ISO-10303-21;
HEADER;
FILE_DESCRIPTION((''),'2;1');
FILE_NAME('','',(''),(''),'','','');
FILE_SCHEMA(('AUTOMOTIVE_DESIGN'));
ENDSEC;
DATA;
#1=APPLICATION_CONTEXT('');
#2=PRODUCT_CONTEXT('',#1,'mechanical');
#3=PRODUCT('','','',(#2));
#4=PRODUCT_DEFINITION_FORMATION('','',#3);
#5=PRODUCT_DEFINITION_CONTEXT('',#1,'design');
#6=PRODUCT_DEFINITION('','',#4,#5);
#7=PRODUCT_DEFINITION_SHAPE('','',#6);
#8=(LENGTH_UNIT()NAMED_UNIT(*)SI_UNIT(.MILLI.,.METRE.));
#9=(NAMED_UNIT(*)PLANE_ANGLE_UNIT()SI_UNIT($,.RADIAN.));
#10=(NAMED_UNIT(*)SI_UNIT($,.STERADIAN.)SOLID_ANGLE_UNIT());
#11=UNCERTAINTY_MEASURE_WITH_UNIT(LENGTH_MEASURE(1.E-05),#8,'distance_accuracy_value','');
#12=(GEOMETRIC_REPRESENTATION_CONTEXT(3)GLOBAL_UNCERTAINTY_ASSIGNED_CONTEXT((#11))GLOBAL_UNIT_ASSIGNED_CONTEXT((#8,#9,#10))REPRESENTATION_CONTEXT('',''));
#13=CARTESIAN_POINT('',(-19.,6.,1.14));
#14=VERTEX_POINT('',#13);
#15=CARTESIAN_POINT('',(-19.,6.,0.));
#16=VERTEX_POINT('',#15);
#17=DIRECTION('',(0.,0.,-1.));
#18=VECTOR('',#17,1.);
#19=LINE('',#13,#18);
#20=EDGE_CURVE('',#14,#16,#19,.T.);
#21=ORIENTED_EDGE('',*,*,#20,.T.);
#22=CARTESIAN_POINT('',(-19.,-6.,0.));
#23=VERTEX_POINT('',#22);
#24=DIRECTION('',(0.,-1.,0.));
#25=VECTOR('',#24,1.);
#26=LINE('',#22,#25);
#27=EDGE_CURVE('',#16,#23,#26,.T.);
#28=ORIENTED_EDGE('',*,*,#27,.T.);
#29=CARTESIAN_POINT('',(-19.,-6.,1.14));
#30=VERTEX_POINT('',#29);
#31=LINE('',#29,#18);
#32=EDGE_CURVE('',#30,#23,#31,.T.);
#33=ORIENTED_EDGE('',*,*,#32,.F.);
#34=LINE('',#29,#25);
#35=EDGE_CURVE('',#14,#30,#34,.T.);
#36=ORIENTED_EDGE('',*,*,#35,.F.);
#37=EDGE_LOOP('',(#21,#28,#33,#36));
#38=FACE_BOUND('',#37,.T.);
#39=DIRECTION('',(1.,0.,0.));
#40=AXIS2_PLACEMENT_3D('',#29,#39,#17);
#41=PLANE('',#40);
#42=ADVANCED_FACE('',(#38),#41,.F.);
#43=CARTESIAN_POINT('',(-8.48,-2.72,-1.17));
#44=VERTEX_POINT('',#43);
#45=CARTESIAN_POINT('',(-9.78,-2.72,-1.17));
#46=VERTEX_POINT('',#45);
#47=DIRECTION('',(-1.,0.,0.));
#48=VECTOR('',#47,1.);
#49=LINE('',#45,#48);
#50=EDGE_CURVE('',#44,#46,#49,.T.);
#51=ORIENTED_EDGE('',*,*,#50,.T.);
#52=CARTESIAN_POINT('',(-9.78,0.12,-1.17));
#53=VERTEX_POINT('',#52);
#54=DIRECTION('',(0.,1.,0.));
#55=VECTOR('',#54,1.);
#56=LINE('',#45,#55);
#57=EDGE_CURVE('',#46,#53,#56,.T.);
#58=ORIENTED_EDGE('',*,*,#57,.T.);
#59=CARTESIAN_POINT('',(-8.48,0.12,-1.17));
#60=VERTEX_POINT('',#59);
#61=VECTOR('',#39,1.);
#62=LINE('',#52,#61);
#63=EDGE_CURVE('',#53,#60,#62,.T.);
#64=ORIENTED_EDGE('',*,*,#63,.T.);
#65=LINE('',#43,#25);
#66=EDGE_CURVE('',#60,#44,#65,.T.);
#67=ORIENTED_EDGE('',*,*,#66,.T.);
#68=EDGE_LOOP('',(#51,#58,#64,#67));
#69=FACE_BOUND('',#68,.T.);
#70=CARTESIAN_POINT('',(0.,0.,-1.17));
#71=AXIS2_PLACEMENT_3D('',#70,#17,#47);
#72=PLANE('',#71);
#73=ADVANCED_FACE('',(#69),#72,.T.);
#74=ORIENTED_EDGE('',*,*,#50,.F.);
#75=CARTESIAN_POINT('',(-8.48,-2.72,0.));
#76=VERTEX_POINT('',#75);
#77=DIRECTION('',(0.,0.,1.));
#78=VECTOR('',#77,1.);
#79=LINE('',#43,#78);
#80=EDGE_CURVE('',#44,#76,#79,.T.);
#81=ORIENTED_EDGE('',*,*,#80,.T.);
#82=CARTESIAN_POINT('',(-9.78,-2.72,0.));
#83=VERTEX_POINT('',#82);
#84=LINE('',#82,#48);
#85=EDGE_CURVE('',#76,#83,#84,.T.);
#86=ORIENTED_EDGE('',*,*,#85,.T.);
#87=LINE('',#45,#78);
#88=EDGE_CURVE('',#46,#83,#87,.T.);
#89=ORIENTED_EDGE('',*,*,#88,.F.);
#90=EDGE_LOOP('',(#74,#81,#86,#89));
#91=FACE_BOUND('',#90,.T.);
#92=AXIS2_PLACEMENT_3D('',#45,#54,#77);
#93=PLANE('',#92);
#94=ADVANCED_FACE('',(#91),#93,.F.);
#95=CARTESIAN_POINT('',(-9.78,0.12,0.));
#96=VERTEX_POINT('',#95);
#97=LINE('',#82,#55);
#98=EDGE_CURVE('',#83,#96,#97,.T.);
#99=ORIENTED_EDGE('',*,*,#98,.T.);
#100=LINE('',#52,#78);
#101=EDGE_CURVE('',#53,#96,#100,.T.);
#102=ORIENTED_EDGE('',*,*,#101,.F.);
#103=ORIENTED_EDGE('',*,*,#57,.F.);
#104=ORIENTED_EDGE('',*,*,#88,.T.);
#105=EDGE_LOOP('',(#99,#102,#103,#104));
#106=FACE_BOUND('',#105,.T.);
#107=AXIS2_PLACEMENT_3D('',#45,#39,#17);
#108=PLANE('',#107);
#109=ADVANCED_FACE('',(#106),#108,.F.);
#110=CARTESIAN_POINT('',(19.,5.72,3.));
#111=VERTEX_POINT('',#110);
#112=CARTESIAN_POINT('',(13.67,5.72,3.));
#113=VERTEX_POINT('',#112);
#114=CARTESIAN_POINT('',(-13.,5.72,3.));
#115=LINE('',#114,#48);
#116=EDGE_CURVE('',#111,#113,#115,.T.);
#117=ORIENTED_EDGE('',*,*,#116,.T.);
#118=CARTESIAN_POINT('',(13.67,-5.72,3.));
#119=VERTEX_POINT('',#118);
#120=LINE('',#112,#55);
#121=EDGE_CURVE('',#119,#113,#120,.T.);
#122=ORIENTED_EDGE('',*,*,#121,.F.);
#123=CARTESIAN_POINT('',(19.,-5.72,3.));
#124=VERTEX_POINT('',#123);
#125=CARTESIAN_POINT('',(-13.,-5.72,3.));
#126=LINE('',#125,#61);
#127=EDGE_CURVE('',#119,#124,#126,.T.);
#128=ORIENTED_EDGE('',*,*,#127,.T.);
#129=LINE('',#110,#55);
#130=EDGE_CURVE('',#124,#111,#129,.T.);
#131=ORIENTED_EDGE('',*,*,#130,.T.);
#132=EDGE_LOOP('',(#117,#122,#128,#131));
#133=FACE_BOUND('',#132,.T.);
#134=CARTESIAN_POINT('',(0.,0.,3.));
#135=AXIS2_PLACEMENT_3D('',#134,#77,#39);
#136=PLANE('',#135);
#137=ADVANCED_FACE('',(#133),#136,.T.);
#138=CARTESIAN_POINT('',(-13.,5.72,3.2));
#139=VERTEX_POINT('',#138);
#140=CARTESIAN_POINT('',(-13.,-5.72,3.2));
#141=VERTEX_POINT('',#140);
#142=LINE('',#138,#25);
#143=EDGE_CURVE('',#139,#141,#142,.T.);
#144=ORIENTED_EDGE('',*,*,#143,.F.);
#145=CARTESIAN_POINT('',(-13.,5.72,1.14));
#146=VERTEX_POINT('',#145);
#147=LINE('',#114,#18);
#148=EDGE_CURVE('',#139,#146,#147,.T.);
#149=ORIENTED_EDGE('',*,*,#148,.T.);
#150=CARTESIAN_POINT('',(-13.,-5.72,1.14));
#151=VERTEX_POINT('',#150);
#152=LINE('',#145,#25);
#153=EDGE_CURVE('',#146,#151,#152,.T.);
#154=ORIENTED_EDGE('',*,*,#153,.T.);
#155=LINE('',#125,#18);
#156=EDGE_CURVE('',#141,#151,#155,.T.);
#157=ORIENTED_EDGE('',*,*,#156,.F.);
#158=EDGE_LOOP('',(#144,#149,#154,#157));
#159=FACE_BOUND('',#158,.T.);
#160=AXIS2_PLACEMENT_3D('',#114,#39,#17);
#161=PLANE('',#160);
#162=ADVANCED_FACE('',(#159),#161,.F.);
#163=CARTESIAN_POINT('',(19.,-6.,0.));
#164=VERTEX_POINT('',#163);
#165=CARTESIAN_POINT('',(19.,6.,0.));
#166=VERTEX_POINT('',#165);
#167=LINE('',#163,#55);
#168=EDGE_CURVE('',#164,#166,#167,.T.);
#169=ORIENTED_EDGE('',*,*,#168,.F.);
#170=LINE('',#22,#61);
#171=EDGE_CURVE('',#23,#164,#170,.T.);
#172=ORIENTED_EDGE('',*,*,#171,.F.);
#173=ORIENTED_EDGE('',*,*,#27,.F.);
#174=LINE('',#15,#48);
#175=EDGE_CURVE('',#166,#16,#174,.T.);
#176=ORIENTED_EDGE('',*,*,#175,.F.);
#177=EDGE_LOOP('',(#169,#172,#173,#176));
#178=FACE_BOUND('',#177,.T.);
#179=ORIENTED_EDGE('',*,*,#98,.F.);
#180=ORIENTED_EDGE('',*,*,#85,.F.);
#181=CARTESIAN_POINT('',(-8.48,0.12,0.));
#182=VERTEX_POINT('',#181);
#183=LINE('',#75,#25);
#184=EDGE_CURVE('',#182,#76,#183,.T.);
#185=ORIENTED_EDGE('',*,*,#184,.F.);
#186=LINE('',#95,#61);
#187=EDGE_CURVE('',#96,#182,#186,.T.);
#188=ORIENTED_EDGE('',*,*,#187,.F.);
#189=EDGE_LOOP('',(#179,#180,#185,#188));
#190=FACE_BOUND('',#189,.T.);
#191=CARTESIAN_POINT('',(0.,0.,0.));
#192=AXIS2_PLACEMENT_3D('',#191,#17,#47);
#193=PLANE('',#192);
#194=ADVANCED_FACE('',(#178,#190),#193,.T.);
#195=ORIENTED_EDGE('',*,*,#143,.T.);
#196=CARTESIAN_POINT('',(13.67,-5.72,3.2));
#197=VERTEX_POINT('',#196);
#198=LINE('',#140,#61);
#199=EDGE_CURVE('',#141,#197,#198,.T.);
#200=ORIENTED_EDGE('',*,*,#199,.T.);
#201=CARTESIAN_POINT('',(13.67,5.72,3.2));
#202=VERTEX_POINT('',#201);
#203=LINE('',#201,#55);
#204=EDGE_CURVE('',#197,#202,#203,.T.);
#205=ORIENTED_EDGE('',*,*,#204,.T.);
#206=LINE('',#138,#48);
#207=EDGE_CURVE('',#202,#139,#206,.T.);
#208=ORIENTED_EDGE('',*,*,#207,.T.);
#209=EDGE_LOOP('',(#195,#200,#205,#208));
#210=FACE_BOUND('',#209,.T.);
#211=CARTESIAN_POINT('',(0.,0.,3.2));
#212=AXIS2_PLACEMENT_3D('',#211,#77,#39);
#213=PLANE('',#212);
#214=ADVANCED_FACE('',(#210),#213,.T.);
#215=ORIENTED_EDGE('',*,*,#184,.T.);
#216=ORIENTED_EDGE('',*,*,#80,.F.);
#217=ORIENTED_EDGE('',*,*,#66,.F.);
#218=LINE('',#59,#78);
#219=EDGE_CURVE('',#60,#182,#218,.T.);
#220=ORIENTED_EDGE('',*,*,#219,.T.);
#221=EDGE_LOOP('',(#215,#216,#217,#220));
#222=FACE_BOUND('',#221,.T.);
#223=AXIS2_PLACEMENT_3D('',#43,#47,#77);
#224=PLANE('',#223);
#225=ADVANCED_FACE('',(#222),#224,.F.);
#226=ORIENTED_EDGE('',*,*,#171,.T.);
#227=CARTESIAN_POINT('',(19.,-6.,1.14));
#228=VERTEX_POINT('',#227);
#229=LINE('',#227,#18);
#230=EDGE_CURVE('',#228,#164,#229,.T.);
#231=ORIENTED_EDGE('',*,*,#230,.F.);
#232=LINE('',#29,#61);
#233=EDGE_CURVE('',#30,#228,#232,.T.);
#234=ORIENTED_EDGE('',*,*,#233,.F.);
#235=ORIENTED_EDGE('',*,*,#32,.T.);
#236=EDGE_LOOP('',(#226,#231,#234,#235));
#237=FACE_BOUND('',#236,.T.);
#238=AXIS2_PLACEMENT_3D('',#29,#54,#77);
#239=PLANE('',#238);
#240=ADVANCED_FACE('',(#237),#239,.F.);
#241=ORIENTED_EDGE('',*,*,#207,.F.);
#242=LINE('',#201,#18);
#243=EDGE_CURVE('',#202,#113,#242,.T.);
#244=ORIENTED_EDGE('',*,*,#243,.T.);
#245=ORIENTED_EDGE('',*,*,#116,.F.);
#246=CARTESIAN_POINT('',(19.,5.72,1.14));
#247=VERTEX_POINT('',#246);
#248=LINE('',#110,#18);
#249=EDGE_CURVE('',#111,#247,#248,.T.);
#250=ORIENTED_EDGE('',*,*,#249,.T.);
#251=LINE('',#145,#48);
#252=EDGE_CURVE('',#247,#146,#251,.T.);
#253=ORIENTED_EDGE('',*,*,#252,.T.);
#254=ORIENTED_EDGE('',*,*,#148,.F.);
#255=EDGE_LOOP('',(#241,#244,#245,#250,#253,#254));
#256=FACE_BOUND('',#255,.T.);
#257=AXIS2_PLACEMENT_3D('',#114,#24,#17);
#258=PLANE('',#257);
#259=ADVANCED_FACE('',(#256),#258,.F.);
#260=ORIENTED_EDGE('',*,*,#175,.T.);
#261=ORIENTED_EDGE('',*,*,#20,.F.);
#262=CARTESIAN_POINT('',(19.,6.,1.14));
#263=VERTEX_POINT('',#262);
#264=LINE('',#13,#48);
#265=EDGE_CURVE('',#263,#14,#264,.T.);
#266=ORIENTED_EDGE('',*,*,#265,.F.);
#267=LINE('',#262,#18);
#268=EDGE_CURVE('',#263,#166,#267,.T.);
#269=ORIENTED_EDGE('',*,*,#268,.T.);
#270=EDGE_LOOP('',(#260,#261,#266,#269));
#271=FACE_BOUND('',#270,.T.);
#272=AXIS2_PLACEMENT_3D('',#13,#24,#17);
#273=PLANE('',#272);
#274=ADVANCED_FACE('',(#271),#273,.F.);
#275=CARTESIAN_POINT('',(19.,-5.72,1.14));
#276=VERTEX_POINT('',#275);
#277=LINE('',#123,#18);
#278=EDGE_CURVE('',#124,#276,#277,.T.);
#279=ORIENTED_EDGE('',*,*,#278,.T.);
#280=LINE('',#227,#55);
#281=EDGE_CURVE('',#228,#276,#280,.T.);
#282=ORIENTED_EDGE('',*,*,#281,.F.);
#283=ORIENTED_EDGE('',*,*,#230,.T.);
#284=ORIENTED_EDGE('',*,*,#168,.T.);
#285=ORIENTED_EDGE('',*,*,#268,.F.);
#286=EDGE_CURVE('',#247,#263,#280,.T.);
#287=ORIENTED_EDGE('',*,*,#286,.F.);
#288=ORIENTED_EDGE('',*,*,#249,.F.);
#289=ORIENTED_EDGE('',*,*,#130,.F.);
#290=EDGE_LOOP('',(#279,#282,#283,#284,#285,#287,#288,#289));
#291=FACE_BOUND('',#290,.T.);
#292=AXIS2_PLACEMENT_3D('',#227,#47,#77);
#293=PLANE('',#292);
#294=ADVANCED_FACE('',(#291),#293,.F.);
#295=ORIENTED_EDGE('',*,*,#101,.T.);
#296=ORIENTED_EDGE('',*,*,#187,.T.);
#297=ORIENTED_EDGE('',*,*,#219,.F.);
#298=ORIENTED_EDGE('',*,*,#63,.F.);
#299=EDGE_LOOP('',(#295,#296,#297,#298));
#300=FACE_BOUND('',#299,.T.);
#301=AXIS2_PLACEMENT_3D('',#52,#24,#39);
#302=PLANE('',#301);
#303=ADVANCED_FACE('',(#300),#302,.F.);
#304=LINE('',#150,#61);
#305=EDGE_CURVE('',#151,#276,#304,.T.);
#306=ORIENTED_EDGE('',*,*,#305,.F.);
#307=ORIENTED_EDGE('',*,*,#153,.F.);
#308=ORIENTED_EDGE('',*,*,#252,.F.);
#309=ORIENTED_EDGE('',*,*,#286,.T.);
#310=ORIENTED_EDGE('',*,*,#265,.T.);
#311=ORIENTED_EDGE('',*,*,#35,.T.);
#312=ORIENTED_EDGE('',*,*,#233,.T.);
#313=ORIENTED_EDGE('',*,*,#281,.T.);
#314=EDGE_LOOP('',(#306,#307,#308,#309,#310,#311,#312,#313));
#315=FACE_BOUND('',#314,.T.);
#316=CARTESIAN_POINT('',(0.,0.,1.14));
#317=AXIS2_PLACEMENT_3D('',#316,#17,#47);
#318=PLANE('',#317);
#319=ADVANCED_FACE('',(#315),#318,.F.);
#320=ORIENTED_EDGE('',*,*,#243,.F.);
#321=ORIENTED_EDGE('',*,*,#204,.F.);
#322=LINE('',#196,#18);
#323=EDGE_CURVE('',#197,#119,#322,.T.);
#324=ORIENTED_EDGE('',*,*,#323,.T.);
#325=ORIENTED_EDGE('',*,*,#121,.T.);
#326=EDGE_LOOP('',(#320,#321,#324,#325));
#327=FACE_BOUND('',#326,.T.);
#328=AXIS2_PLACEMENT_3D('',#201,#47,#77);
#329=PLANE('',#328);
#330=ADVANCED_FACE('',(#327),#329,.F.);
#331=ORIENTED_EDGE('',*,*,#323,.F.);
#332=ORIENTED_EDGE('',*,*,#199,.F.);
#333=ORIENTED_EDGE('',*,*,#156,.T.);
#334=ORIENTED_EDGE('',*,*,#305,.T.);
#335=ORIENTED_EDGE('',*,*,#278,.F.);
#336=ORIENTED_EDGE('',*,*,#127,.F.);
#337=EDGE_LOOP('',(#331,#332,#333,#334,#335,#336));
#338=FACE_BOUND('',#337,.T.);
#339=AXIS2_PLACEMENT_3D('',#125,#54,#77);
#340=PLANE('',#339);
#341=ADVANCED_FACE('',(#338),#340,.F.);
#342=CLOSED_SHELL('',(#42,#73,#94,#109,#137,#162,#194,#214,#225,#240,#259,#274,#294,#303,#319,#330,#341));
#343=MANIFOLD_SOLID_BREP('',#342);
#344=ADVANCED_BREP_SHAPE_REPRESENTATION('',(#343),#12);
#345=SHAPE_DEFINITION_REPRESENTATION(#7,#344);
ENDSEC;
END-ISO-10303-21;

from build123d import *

# Parameters (mm, degrees)
SKETCH_1_W      = 38
SKETCH_1_H      = 12
EXTRUDE_1_DEPTH = 1.14
SKETCH_2_W      = 1.3
SKETCH_2_H      = 2.84
EXTRUDE_2_DEPTH = 1.17
SKETCH_3_W      = 32
SKETCH_3_H      = 11.44
EXTRUDE_3_DEPTH = 1.86
SKETCH_4_W      = 26.67
SKETCH_4_H      = 11.44
EXTRUDE_4_DEPTH = 0.2


with BuildPart() as part:
    # Эскиз1 → Бобышка-Вытянуть1 (new body)
    with BuildSketch(Plane.XY):
        Rectangle(SKETCH_1_W, SKETCH_1_H)
    extrude(amount=EXTRUDE_1_DEPTH)

    # Эскиз2 → Бобышка-Вытянуть2 (add)
    with BuildSketch(Plane(origin=(0, 0, 0), x_dir=(-1, 0, 0), z_dir=(0, 0, -1))):
        with Locations((9.13, -1.3)):
            Rectangle(SKETCH_2_W, SKETCH_2_H)
    extrude(amount=EXTRUDE_2_DEPTH)

    # Эскиз3 → Бобышка-Вытянуть3 (add)
    with BuildSketch(Plane.XY.offset(1.14)):
        with Locations((3, 0)):
            Rectangle(SKETCH_3_W, SKETCH_3_H)
    extrude(amount=EXTRUDE_3_DEPTH)

    # Эскиз4 → Бобышка-Вытянуть4 (add)
    with BuildSketch(Plane.XY.offset(3)):
        with Locations((0.335, 0)):
            Rectangle(SKETCH_4_W, SKETCH_4_H)
    extrude(amount=EXTRUDE_4_DEPTH)


solid = part.part
